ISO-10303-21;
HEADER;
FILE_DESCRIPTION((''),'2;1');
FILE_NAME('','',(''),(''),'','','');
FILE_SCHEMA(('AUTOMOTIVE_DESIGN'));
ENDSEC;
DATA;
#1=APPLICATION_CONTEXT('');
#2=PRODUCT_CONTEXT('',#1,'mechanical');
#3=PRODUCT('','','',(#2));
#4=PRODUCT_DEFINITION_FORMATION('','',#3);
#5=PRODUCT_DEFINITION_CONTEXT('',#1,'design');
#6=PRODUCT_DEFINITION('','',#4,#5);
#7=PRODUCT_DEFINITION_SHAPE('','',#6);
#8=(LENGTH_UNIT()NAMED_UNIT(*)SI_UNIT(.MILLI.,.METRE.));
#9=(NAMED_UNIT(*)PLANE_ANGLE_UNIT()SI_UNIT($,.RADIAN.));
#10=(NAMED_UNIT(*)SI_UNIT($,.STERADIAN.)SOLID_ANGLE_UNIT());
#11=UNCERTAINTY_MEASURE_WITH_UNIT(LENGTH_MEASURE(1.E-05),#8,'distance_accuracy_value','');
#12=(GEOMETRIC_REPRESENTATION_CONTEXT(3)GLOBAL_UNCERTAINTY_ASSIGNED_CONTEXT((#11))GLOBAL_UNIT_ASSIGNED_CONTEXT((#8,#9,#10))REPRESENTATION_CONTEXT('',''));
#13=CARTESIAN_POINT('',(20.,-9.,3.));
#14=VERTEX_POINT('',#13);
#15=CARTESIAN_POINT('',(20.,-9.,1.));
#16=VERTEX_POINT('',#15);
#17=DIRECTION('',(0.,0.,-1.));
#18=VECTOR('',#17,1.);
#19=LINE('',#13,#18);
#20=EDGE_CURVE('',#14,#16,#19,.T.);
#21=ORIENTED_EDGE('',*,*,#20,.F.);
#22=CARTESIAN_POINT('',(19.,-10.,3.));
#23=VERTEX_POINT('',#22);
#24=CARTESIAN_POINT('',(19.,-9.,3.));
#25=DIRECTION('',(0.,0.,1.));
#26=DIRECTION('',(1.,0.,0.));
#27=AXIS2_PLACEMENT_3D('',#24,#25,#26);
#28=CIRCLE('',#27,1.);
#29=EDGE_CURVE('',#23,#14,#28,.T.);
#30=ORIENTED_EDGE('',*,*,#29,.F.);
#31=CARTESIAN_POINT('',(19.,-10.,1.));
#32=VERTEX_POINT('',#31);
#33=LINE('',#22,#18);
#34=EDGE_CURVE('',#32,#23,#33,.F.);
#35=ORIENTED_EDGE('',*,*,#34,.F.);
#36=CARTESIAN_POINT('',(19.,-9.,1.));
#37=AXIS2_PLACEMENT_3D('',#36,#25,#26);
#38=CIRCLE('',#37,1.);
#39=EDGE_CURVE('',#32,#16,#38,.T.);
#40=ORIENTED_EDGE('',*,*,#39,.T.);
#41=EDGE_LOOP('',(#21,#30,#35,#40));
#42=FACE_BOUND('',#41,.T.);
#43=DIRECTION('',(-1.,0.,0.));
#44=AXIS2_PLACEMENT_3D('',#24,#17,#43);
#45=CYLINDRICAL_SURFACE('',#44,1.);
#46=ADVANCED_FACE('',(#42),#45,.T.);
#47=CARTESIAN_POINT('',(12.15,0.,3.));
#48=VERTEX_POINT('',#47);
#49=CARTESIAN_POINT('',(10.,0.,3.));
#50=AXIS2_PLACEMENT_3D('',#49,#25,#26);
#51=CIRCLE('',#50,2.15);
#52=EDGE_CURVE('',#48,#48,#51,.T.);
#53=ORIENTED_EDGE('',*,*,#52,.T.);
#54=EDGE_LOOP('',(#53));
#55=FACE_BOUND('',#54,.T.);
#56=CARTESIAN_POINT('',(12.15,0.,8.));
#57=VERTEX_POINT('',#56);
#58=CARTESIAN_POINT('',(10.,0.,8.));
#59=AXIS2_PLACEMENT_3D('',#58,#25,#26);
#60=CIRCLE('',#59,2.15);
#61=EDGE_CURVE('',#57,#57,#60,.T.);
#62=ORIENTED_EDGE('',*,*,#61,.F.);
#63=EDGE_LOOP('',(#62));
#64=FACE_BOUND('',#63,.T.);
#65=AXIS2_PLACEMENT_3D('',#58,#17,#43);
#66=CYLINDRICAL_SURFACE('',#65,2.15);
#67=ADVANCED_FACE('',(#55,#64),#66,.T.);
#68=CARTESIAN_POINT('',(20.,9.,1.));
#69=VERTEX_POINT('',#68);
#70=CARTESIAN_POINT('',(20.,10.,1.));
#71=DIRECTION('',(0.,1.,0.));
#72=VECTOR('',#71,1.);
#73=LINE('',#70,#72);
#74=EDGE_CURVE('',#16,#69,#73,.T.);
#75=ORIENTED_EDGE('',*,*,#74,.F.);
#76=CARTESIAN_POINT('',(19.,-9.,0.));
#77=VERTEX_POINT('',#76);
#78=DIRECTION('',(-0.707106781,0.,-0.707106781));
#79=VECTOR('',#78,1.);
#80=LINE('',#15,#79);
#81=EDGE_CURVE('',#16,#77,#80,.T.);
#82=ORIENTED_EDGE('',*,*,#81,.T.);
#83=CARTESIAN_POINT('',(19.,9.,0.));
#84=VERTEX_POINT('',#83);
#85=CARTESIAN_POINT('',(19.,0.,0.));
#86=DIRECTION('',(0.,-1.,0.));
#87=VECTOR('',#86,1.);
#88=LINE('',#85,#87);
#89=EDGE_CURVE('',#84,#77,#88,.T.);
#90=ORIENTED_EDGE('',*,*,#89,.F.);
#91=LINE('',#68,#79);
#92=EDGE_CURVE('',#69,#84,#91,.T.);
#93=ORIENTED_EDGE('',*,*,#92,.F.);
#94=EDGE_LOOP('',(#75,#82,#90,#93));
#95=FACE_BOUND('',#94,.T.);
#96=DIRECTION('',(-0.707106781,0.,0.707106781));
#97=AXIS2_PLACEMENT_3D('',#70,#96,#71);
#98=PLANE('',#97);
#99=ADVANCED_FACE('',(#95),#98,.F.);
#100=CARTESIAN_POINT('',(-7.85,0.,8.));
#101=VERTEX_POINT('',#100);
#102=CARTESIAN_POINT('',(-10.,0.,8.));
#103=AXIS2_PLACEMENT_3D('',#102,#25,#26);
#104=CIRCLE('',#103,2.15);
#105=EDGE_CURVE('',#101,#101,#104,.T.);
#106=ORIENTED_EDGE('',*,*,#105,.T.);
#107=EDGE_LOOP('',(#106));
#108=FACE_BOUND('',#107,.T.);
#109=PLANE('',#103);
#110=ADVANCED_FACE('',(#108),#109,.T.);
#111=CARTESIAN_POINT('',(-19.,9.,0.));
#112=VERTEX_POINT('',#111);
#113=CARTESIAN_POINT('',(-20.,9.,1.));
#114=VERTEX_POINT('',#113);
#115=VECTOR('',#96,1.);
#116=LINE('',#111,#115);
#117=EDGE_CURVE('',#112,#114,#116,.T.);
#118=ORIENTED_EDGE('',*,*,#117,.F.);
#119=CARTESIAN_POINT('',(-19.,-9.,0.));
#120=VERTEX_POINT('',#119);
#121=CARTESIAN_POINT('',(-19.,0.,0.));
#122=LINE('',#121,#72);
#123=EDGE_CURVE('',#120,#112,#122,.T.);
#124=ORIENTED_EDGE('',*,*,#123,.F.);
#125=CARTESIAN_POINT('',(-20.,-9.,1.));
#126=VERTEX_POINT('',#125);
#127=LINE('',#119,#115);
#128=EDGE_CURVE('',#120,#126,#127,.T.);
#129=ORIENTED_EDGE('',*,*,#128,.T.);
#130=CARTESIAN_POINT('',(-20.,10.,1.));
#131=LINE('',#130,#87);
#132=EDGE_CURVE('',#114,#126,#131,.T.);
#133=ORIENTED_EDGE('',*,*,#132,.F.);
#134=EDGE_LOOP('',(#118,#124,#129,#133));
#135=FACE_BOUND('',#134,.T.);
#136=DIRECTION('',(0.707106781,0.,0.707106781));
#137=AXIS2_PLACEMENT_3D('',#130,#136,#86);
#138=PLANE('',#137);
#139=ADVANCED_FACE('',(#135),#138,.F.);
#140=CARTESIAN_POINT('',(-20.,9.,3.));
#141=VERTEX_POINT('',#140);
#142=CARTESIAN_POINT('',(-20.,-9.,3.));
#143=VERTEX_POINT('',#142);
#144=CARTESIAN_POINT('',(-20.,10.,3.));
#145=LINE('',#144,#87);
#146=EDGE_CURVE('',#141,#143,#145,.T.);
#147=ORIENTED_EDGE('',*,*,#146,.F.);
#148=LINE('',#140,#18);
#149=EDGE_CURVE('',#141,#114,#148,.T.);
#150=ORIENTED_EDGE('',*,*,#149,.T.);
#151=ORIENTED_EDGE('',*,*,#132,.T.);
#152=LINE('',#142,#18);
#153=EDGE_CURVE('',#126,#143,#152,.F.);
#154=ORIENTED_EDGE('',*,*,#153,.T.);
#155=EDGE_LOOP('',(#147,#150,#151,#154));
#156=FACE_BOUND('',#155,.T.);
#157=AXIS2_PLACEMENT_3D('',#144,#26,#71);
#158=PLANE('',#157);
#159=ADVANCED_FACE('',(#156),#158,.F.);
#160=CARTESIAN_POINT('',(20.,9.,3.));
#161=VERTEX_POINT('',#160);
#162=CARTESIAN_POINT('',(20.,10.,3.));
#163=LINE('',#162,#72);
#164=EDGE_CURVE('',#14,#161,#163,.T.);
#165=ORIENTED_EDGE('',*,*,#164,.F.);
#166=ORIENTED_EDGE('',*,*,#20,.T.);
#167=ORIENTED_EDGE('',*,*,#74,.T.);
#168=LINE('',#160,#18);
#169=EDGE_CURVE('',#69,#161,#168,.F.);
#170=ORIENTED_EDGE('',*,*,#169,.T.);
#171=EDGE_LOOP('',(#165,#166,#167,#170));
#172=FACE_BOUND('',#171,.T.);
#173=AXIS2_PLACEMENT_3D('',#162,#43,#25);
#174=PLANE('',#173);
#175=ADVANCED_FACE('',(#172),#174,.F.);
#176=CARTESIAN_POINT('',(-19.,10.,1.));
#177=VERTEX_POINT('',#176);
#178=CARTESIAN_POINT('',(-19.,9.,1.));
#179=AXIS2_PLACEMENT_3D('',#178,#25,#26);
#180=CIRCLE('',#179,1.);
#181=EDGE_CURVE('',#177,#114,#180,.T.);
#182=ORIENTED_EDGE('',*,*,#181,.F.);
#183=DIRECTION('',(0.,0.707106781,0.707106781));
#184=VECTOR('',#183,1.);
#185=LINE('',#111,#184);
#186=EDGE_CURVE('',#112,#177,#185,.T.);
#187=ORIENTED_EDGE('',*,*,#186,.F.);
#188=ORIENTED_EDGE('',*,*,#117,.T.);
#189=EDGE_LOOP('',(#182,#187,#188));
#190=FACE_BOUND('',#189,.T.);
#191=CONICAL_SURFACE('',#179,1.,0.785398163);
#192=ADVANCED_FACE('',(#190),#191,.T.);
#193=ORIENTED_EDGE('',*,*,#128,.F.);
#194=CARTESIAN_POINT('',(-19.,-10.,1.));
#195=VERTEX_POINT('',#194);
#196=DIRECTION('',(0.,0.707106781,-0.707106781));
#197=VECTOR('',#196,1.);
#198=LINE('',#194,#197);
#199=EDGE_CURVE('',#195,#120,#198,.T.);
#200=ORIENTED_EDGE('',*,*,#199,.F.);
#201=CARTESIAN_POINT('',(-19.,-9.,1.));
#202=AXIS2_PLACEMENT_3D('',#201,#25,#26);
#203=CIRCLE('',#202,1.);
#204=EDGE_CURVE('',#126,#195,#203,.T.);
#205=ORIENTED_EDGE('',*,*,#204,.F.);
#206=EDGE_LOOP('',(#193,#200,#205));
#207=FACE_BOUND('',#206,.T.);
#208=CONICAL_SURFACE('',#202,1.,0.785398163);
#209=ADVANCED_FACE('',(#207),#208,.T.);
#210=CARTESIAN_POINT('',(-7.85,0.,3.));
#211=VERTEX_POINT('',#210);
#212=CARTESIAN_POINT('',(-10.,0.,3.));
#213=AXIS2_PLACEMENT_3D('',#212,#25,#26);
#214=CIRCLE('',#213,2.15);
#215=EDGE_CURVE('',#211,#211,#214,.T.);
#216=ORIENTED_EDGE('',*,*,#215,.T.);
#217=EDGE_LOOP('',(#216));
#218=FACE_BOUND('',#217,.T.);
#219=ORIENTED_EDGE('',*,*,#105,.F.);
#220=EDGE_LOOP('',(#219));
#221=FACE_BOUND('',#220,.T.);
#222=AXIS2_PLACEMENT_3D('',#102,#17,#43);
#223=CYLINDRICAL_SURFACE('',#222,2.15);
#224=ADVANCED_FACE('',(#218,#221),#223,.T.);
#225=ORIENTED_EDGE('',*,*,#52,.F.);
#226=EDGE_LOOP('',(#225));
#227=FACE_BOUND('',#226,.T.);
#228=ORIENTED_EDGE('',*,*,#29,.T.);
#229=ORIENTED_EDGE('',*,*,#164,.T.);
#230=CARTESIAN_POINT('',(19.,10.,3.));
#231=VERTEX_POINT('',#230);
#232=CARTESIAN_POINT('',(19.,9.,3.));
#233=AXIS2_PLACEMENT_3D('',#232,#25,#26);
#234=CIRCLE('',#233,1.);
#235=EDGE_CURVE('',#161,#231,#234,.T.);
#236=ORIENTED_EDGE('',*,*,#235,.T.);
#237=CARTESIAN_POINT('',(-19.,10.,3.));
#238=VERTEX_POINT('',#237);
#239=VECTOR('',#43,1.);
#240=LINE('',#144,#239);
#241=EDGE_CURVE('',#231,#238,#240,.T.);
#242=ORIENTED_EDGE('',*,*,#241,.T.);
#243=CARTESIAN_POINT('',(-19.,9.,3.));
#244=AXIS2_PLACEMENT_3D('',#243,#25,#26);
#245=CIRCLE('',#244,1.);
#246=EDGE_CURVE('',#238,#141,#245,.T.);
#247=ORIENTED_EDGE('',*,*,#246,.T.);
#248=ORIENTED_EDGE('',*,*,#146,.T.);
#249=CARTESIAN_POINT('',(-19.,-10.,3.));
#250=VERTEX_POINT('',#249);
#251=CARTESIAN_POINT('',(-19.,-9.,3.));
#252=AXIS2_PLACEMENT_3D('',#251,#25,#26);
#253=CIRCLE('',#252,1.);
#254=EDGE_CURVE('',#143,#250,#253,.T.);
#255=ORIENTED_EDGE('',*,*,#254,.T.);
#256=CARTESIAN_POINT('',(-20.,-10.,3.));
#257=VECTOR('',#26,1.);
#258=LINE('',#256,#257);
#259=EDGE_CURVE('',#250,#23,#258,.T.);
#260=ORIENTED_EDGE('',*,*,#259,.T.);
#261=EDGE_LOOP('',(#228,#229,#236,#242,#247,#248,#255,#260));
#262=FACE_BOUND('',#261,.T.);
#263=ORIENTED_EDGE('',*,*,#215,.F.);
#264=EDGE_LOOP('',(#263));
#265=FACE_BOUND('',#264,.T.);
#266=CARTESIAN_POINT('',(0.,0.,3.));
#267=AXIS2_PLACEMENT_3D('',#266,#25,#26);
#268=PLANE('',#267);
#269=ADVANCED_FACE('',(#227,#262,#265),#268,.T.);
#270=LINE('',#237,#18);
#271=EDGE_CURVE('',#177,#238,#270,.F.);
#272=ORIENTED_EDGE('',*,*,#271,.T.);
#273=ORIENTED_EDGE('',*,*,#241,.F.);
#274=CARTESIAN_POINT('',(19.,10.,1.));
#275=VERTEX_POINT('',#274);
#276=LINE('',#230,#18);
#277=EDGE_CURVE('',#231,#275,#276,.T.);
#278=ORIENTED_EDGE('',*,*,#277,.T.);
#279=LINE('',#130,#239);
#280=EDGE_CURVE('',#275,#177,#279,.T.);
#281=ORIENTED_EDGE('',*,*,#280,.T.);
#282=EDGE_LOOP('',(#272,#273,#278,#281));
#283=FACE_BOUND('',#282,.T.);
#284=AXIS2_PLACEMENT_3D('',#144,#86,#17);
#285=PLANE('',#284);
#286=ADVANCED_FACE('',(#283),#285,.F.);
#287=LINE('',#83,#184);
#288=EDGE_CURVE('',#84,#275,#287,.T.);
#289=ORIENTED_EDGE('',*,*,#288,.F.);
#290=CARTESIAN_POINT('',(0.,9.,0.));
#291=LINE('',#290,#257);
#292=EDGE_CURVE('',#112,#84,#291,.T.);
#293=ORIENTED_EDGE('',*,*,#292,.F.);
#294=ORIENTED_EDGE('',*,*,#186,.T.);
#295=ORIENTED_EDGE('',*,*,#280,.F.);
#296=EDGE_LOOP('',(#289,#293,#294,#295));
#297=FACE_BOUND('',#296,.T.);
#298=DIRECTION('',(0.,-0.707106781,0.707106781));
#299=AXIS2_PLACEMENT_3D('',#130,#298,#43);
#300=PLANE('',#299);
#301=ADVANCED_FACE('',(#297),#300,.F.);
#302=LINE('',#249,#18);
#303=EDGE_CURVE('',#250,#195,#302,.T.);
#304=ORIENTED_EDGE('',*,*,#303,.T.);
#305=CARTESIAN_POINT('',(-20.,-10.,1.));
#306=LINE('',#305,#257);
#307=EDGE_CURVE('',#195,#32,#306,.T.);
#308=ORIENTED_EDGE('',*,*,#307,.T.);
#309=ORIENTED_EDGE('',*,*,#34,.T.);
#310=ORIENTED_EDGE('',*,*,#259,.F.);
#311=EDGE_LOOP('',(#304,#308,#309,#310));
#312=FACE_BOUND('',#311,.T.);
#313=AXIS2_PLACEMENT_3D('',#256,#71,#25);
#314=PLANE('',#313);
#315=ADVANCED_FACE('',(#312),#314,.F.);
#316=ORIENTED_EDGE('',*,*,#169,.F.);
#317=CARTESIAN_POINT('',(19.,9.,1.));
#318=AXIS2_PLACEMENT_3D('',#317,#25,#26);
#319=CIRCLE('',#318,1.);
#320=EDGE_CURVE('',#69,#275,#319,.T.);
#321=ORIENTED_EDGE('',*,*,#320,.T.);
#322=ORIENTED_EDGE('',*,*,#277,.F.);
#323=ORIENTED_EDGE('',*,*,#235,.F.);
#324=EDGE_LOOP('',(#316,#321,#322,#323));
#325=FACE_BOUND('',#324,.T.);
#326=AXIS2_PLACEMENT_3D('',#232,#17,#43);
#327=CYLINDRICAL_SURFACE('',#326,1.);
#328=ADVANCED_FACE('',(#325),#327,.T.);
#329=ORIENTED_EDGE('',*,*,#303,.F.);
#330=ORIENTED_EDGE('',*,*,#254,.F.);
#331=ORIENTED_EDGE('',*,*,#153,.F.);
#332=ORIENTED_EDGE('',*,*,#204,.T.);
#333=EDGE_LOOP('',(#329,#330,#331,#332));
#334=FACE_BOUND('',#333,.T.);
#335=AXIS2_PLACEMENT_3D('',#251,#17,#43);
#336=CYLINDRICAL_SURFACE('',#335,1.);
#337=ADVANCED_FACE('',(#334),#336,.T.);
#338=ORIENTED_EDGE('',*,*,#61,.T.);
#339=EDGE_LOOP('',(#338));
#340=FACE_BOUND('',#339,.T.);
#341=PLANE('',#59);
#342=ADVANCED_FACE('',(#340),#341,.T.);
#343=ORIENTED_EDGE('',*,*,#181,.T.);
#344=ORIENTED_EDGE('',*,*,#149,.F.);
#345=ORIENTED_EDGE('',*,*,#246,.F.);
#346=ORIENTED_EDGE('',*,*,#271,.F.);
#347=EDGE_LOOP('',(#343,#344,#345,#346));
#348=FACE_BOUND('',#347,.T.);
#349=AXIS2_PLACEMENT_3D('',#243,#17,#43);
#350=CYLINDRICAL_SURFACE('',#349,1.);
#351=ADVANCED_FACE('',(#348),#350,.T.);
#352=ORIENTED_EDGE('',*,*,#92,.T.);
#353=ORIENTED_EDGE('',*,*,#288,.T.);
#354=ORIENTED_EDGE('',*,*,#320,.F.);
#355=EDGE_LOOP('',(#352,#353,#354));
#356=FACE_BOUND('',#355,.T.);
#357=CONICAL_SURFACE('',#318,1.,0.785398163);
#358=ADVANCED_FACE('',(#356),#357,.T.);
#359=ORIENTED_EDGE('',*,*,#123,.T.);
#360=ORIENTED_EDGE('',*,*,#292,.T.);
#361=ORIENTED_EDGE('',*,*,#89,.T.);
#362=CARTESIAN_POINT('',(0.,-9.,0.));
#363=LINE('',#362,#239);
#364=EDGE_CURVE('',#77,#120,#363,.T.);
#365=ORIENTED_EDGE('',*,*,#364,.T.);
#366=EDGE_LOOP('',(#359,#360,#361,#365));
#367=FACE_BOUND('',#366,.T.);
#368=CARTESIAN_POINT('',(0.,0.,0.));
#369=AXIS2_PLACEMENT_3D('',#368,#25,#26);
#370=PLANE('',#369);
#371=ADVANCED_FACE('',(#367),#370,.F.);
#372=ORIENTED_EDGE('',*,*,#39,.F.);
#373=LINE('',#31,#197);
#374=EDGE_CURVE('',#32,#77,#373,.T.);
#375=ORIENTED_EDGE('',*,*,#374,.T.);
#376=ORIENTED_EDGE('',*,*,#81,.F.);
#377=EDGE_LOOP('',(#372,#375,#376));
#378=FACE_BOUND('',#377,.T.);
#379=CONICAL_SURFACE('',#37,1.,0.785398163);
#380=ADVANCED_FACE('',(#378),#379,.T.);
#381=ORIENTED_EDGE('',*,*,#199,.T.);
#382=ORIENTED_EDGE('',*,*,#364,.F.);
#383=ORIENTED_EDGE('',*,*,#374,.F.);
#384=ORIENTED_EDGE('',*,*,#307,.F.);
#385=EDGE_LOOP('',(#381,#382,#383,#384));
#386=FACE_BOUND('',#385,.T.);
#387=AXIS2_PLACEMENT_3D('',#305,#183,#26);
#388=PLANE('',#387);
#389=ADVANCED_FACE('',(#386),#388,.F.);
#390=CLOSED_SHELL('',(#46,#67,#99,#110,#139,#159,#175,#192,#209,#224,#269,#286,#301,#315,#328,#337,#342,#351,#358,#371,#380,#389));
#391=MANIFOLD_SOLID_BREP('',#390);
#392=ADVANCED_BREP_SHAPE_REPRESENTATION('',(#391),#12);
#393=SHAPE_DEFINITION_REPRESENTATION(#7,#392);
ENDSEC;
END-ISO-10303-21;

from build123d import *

# Parameters (mm, degrees)
SKETCH1_W           = 40
SKETCH1_H           = 20
BOSS_EXTRUDE1_DEPTH = 3
SKETCH2_R           = 2.15
BOSS_EXTRUDE2_DEPTH = 5
FILLET1_R           = 1
CHAMFER1_SIZE       = 1


with BuildPart() as part:
    # Sketch1 → Boss-Extrude1 (new body)
    with BuildSketch(Plane.XY):
        Rectangle(SKETCH1_W, SKETCH1_H)
    extrude(amount=BOSS_EXTRUDE1_DEPTH)

    # Sketch2 → Boss-Extrude2 (add)
    with BuildSketch(Plane.XY.offset(3)):
        with Locations((10, 0)):
            Circle(SKETCH2_R)
        with Locations((-10, 0)):
            Circle(SKETCH2_R)
    extrude(amount=BOSS_EXTRUDE2_DEPTH)

    # Fillet1
    fillet1_edges = [part.edges().sort_by_distance(p)[0] for p in [
        (20, -10, 1.5),
        (-20, -10, 1.5),
        (-20, 10, 1.5),
        (20, 10, 1.5),
    ]]
    fillet(fillet1_edges, radius=FILLET1_R)

    # Chamfer1
    chamfer1_edges = [part.edges().sort_by_distance(p)[0] for p in [
        (20, 0, 0),
        (0, -10, 0),
        (-20, 0, 0),
        (0, 10, 0),
        (-19.707106781, 9.707106781, 0),
        (19.707106781, 9.707106781, 0),
        (-19.707106781, -9.707106781, 0),
        (19.707106781, -9.707106781, 0),
    ]]
    chamfer(chamfer1_edges, length=CHAMFER1_SIZE)


solid = part.part
